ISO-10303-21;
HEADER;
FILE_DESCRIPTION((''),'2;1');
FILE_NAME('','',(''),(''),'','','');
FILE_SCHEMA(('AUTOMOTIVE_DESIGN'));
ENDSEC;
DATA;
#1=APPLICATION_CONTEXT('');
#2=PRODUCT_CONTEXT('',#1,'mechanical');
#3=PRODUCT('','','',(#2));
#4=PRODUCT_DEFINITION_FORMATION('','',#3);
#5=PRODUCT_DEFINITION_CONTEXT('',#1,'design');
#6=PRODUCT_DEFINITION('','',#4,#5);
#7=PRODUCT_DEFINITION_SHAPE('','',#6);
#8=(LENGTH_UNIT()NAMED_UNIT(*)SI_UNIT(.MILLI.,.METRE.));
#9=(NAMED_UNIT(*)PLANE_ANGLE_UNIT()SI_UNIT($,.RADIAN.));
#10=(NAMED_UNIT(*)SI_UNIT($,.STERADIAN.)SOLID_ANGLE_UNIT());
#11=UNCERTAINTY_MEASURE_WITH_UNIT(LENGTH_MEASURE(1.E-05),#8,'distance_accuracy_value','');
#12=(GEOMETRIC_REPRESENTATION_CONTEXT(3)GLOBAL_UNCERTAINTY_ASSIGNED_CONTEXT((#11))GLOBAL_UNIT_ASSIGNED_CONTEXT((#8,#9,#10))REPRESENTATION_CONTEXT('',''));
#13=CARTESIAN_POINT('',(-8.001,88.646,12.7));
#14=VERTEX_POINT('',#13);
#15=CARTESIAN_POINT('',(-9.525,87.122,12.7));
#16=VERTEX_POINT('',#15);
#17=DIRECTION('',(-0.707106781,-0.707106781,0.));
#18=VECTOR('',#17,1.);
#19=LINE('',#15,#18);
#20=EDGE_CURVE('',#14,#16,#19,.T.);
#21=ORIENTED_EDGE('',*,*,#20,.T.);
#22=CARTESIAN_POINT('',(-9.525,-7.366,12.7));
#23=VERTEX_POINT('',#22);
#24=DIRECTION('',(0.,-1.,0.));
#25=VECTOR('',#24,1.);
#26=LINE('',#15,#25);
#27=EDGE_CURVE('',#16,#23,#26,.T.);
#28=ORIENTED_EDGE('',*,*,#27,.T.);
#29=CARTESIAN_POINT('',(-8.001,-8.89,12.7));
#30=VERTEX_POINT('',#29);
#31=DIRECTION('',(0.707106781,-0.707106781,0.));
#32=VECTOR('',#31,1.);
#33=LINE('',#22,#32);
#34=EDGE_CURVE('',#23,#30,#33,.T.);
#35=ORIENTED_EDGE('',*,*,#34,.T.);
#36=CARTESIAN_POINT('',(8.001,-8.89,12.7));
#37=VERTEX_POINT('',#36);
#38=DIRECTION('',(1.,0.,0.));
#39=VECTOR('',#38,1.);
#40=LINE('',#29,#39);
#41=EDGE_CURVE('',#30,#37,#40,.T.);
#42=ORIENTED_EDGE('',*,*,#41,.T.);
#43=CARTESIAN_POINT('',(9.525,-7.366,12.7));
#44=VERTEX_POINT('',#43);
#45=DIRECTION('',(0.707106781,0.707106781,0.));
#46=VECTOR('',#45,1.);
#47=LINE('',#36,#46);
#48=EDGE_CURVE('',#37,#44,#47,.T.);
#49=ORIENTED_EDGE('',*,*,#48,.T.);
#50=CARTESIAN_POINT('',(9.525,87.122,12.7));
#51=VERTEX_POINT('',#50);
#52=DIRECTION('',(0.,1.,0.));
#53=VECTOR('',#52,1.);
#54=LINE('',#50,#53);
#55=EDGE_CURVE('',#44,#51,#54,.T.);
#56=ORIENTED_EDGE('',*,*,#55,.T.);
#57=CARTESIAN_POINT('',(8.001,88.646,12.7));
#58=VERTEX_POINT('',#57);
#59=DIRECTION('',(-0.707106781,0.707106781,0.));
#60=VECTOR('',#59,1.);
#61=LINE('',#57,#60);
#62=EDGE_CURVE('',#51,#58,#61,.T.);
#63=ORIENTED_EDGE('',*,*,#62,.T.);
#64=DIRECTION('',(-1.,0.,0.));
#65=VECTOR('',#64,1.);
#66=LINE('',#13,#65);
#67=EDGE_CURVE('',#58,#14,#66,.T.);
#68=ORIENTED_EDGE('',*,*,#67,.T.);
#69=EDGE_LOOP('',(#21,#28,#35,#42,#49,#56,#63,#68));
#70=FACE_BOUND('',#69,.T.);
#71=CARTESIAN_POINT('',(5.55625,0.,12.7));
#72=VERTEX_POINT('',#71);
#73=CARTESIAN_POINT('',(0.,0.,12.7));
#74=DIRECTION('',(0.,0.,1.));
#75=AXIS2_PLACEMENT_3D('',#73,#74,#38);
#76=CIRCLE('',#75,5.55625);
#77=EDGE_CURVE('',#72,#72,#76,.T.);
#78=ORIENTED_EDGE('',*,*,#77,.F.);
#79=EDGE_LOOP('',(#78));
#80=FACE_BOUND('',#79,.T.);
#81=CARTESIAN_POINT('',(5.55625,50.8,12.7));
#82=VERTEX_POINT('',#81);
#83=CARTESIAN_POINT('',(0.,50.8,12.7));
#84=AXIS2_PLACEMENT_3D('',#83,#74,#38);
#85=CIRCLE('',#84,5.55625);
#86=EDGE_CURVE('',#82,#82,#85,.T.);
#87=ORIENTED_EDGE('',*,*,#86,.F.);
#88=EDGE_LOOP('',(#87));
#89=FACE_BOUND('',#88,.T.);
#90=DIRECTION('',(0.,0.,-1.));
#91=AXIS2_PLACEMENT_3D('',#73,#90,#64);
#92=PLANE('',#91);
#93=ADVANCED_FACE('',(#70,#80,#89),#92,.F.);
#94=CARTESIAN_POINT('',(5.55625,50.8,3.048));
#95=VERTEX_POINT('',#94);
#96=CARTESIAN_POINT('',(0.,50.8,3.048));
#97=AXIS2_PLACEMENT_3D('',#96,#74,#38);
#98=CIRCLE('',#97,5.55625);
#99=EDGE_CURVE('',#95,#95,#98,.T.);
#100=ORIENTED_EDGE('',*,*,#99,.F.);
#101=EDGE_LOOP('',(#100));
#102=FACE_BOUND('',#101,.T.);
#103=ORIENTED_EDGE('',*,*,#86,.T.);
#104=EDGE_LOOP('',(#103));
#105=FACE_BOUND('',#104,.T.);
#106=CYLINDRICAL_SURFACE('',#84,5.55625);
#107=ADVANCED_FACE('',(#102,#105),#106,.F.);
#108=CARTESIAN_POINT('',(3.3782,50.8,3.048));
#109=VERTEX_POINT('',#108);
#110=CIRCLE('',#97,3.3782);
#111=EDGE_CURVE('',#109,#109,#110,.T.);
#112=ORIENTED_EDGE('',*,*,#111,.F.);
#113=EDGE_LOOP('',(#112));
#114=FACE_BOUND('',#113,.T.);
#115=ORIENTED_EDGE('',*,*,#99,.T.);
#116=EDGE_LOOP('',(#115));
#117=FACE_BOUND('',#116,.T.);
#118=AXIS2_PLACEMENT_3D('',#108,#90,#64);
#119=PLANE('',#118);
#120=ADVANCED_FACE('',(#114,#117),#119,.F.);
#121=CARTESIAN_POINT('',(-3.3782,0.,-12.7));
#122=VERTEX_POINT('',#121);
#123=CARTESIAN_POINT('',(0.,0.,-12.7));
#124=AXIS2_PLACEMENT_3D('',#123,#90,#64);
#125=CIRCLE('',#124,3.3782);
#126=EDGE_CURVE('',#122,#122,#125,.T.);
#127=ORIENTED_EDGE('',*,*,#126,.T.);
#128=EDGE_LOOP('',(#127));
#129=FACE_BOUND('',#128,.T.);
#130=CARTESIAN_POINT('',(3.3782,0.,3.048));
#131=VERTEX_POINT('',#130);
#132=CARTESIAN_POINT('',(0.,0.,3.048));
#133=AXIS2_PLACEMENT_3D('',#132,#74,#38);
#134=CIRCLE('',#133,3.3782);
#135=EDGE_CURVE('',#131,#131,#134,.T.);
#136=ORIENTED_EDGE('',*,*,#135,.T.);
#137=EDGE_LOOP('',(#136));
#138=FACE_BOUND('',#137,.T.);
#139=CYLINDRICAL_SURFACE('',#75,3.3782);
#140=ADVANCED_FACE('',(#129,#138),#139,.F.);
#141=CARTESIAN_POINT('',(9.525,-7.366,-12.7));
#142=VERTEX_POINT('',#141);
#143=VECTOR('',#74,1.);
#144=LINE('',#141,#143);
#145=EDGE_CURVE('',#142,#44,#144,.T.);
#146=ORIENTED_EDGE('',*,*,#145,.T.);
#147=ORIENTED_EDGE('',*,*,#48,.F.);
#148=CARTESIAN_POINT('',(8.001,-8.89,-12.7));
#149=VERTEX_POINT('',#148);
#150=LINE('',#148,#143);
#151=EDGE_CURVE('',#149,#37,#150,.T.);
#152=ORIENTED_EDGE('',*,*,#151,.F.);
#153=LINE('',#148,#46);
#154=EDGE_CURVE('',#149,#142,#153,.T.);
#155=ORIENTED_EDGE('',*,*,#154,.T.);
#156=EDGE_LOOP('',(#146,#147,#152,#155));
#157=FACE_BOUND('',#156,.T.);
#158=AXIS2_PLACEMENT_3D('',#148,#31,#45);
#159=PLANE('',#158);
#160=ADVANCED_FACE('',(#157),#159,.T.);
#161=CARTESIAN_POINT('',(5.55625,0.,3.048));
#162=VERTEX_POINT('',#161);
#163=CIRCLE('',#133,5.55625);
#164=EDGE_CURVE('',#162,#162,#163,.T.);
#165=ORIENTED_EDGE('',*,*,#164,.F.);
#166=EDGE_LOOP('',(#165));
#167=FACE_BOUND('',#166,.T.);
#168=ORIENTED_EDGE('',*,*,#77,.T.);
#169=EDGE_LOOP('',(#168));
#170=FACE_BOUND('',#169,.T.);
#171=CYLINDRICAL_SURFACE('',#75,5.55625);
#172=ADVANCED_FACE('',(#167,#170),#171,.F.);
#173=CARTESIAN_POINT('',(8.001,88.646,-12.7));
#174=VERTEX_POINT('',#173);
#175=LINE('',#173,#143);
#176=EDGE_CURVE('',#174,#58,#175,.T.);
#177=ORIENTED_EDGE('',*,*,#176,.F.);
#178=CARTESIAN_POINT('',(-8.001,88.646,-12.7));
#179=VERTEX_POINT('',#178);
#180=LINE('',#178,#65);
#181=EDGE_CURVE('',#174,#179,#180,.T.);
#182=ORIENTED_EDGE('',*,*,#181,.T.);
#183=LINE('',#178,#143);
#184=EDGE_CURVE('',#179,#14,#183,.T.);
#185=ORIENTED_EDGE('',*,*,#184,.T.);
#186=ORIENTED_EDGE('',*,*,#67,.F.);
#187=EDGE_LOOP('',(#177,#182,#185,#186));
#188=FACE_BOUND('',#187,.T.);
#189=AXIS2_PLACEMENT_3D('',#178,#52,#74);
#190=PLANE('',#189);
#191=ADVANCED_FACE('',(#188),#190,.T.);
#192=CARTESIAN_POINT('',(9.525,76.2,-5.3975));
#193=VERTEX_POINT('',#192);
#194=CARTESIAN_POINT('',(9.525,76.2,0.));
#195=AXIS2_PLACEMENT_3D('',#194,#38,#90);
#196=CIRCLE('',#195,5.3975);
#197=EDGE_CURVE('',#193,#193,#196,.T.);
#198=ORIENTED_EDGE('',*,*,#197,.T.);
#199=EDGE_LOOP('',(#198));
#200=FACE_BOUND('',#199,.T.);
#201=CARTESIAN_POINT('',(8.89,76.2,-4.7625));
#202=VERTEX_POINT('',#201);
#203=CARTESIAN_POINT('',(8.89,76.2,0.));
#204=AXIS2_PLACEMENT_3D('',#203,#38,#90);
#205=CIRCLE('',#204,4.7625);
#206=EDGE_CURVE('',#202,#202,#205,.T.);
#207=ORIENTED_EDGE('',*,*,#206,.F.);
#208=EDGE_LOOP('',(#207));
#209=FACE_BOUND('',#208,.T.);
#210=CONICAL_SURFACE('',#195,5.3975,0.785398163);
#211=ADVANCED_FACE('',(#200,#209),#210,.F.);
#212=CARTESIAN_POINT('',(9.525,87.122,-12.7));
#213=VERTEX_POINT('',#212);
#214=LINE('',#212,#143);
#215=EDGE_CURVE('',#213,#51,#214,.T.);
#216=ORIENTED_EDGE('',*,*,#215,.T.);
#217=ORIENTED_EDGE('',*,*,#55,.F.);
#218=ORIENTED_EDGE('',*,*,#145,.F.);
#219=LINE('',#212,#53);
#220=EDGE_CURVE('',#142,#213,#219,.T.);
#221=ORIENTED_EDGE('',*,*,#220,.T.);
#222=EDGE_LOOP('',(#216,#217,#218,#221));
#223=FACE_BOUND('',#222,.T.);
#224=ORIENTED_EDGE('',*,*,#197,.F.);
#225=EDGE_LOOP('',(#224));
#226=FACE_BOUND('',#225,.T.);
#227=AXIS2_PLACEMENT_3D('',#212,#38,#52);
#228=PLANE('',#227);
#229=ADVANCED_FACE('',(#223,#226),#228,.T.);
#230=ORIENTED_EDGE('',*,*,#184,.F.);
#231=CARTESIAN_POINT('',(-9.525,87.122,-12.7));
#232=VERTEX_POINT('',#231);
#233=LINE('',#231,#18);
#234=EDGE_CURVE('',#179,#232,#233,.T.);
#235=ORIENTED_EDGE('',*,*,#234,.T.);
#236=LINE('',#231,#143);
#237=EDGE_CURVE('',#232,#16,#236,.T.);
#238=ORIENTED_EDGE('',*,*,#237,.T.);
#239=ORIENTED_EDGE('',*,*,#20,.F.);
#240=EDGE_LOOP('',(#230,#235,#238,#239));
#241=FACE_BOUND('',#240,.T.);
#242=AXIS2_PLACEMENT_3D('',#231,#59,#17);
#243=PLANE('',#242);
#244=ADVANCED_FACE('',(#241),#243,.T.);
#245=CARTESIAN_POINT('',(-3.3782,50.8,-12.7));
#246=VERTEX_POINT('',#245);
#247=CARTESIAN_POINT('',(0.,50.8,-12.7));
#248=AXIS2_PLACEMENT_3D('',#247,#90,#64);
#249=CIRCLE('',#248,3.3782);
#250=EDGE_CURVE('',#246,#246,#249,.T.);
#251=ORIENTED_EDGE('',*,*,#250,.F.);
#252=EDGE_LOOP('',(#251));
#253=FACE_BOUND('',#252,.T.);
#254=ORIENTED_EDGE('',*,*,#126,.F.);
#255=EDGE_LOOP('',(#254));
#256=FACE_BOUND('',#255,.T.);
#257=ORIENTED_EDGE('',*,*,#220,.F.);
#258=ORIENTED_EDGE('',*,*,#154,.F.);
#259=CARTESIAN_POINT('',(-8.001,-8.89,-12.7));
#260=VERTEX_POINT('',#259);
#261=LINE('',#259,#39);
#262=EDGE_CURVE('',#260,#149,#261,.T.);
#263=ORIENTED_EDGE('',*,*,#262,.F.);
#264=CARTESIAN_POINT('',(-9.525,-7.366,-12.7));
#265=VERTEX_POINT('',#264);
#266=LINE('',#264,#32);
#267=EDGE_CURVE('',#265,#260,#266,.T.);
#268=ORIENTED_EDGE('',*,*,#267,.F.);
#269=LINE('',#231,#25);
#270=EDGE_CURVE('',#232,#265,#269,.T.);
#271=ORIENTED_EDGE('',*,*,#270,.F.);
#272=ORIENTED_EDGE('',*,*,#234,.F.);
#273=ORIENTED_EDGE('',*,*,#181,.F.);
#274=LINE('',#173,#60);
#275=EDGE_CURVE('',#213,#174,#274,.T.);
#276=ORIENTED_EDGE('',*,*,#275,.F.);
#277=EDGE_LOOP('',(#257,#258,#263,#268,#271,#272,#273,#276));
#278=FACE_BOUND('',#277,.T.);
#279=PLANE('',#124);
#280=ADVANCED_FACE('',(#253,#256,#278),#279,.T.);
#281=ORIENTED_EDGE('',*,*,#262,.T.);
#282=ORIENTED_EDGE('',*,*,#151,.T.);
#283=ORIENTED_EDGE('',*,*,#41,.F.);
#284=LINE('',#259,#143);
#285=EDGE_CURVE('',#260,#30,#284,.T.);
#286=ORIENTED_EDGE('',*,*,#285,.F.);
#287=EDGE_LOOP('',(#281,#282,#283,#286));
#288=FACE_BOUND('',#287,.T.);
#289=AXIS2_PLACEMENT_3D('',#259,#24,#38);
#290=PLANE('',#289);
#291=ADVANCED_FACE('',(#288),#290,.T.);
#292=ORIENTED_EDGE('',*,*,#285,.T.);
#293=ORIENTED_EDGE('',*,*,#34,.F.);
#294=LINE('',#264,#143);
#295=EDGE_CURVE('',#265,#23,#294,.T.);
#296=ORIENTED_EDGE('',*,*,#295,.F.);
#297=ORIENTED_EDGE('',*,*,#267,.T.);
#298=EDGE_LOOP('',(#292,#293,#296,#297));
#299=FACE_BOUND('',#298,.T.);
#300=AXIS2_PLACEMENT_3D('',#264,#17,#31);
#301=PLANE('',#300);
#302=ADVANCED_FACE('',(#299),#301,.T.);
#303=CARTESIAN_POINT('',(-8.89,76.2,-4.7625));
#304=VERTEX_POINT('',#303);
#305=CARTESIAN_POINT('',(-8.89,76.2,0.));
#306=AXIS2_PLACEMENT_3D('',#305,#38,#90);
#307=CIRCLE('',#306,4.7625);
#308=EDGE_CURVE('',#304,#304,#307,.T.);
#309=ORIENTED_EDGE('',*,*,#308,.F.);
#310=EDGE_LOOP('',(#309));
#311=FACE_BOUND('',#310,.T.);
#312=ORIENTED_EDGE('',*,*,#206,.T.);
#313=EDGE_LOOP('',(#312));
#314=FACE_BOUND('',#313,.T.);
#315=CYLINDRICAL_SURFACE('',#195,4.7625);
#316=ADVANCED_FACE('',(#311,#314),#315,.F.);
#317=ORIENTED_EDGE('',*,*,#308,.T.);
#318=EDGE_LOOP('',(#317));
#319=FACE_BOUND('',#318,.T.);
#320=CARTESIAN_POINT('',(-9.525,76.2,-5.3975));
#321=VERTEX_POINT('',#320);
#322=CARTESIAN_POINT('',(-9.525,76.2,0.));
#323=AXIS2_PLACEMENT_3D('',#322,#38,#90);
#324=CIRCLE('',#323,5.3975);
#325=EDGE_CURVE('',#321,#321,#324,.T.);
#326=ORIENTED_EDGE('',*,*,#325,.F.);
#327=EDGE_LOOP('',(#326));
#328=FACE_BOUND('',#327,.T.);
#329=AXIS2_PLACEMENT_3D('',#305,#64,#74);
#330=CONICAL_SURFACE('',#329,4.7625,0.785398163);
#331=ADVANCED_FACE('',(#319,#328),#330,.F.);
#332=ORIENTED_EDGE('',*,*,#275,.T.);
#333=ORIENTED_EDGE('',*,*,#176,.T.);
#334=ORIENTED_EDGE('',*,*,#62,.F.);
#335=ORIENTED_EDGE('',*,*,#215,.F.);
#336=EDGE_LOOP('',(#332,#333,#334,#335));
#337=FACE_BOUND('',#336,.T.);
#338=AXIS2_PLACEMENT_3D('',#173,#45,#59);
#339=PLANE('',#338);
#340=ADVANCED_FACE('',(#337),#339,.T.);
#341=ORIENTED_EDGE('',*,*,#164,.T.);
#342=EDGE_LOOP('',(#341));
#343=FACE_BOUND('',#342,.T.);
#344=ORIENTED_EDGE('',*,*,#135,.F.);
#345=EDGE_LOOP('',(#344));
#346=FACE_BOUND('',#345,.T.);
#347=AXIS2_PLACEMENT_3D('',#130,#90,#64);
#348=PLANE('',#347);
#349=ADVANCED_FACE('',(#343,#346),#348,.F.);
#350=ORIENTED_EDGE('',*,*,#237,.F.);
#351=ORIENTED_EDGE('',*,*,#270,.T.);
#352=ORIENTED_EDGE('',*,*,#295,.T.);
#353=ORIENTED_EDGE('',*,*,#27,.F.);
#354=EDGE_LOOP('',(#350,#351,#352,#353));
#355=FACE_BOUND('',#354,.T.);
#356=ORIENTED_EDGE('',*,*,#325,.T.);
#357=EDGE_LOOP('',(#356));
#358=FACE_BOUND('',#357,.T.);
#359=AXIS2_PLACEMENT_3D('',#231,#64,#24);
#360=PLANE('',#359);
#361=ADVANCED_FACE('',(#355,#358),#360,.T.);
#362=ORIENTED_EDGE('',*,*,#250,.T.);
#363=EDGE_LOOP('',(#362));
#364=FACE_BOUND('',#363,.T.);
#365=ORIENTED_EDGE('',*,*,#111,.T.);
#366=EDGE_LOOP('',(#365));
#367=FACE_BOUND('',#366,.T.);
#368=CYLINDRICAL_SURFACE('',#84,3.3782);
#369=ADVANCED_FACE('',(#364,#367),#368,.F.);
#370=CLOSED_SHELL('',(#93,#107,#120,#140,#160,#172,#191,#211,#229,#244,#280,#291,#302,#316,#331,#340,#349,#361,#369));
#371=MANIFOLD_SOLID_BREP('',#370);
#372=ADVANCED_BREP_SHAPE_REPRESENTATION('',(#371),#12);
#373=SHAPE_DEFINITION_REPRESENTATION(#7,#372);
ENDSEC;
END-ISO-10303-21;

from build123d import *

# Parameters (mm, degrees)
BOSS_EXTRUDE1_DEPTH                              = 12.7
CBORE_FOR_1_4_SOCKET_HEAD_CAP_SCREW1_D           = 6.7564
CBORE_FOR_1_4_SOCKET_HEAD_CAP_SCREW1_DEPTH       = 25.4
CBORE_FOR_1_4_SOCKET_HEAD_CAP_SCREW1_CBORE_D     = 11.1125
CBORE_FOR_1_4_SOCKET_HEAD_CAP_SCREW1_CBORE_DEPTH = 9.652


with BuildPart() as part:
    # Sketch6 → Boss-Extrude1 (new body, symmetric)
    with BuildSketch(Plane.XY):
        Polygon((-8.001, 88.646), (8.001, 88.646), (9.525, 87.122), (9.525, -7.366), (8.001, -8.89), (-8.001, -8.89), (-9.525, -7.366), (-9.525, 87.122), align=None)
    extrude(amount=BOSS_EXTRUDE1_DEPTH, both=True)

    # Sketch11 → 3/8-16 Tapped Hole1 (revolve, cut)
    with BuildSketch(Plane(origin=(9.525, 76.2, 0), x_dir=(0, 0, -1), z_dir=(0, 1, 0))):
        Polygon((0, 0), (0, 19.05), (5.3975, 19.05), (4.7625, 18.415), (4.7625, 0.635), (5.3975, 0), align=None)
    revolve(axis=Axis((15.875, 76.2, 0), (-1, 0, 0)), mode=Mode.SUBTRACT)

    # CBORE for 1/4 Socket Head Cap Screw1
    with Locations(Plane.XY.offset(12.7)):
        with Locations((0, 0), (0, 50.8)):
            CounterBoreHole(CBORE_FOR_1_4_SOCKET_HEAD_CAP_SCREW1_D / 2, CBORE_FOR_1_4_SOCKET_HEAD_CAP_SCREW1_CBORE_D / 2, CBORE_FOR_1_4_SOCKET_HEAD_CAP_SCREW1_CBORE_DEPTH, depth=CBORE_FOR_1_4_SOCKET_HEAD_CAP_SCREW1_DEPTH)


solid = part.part
